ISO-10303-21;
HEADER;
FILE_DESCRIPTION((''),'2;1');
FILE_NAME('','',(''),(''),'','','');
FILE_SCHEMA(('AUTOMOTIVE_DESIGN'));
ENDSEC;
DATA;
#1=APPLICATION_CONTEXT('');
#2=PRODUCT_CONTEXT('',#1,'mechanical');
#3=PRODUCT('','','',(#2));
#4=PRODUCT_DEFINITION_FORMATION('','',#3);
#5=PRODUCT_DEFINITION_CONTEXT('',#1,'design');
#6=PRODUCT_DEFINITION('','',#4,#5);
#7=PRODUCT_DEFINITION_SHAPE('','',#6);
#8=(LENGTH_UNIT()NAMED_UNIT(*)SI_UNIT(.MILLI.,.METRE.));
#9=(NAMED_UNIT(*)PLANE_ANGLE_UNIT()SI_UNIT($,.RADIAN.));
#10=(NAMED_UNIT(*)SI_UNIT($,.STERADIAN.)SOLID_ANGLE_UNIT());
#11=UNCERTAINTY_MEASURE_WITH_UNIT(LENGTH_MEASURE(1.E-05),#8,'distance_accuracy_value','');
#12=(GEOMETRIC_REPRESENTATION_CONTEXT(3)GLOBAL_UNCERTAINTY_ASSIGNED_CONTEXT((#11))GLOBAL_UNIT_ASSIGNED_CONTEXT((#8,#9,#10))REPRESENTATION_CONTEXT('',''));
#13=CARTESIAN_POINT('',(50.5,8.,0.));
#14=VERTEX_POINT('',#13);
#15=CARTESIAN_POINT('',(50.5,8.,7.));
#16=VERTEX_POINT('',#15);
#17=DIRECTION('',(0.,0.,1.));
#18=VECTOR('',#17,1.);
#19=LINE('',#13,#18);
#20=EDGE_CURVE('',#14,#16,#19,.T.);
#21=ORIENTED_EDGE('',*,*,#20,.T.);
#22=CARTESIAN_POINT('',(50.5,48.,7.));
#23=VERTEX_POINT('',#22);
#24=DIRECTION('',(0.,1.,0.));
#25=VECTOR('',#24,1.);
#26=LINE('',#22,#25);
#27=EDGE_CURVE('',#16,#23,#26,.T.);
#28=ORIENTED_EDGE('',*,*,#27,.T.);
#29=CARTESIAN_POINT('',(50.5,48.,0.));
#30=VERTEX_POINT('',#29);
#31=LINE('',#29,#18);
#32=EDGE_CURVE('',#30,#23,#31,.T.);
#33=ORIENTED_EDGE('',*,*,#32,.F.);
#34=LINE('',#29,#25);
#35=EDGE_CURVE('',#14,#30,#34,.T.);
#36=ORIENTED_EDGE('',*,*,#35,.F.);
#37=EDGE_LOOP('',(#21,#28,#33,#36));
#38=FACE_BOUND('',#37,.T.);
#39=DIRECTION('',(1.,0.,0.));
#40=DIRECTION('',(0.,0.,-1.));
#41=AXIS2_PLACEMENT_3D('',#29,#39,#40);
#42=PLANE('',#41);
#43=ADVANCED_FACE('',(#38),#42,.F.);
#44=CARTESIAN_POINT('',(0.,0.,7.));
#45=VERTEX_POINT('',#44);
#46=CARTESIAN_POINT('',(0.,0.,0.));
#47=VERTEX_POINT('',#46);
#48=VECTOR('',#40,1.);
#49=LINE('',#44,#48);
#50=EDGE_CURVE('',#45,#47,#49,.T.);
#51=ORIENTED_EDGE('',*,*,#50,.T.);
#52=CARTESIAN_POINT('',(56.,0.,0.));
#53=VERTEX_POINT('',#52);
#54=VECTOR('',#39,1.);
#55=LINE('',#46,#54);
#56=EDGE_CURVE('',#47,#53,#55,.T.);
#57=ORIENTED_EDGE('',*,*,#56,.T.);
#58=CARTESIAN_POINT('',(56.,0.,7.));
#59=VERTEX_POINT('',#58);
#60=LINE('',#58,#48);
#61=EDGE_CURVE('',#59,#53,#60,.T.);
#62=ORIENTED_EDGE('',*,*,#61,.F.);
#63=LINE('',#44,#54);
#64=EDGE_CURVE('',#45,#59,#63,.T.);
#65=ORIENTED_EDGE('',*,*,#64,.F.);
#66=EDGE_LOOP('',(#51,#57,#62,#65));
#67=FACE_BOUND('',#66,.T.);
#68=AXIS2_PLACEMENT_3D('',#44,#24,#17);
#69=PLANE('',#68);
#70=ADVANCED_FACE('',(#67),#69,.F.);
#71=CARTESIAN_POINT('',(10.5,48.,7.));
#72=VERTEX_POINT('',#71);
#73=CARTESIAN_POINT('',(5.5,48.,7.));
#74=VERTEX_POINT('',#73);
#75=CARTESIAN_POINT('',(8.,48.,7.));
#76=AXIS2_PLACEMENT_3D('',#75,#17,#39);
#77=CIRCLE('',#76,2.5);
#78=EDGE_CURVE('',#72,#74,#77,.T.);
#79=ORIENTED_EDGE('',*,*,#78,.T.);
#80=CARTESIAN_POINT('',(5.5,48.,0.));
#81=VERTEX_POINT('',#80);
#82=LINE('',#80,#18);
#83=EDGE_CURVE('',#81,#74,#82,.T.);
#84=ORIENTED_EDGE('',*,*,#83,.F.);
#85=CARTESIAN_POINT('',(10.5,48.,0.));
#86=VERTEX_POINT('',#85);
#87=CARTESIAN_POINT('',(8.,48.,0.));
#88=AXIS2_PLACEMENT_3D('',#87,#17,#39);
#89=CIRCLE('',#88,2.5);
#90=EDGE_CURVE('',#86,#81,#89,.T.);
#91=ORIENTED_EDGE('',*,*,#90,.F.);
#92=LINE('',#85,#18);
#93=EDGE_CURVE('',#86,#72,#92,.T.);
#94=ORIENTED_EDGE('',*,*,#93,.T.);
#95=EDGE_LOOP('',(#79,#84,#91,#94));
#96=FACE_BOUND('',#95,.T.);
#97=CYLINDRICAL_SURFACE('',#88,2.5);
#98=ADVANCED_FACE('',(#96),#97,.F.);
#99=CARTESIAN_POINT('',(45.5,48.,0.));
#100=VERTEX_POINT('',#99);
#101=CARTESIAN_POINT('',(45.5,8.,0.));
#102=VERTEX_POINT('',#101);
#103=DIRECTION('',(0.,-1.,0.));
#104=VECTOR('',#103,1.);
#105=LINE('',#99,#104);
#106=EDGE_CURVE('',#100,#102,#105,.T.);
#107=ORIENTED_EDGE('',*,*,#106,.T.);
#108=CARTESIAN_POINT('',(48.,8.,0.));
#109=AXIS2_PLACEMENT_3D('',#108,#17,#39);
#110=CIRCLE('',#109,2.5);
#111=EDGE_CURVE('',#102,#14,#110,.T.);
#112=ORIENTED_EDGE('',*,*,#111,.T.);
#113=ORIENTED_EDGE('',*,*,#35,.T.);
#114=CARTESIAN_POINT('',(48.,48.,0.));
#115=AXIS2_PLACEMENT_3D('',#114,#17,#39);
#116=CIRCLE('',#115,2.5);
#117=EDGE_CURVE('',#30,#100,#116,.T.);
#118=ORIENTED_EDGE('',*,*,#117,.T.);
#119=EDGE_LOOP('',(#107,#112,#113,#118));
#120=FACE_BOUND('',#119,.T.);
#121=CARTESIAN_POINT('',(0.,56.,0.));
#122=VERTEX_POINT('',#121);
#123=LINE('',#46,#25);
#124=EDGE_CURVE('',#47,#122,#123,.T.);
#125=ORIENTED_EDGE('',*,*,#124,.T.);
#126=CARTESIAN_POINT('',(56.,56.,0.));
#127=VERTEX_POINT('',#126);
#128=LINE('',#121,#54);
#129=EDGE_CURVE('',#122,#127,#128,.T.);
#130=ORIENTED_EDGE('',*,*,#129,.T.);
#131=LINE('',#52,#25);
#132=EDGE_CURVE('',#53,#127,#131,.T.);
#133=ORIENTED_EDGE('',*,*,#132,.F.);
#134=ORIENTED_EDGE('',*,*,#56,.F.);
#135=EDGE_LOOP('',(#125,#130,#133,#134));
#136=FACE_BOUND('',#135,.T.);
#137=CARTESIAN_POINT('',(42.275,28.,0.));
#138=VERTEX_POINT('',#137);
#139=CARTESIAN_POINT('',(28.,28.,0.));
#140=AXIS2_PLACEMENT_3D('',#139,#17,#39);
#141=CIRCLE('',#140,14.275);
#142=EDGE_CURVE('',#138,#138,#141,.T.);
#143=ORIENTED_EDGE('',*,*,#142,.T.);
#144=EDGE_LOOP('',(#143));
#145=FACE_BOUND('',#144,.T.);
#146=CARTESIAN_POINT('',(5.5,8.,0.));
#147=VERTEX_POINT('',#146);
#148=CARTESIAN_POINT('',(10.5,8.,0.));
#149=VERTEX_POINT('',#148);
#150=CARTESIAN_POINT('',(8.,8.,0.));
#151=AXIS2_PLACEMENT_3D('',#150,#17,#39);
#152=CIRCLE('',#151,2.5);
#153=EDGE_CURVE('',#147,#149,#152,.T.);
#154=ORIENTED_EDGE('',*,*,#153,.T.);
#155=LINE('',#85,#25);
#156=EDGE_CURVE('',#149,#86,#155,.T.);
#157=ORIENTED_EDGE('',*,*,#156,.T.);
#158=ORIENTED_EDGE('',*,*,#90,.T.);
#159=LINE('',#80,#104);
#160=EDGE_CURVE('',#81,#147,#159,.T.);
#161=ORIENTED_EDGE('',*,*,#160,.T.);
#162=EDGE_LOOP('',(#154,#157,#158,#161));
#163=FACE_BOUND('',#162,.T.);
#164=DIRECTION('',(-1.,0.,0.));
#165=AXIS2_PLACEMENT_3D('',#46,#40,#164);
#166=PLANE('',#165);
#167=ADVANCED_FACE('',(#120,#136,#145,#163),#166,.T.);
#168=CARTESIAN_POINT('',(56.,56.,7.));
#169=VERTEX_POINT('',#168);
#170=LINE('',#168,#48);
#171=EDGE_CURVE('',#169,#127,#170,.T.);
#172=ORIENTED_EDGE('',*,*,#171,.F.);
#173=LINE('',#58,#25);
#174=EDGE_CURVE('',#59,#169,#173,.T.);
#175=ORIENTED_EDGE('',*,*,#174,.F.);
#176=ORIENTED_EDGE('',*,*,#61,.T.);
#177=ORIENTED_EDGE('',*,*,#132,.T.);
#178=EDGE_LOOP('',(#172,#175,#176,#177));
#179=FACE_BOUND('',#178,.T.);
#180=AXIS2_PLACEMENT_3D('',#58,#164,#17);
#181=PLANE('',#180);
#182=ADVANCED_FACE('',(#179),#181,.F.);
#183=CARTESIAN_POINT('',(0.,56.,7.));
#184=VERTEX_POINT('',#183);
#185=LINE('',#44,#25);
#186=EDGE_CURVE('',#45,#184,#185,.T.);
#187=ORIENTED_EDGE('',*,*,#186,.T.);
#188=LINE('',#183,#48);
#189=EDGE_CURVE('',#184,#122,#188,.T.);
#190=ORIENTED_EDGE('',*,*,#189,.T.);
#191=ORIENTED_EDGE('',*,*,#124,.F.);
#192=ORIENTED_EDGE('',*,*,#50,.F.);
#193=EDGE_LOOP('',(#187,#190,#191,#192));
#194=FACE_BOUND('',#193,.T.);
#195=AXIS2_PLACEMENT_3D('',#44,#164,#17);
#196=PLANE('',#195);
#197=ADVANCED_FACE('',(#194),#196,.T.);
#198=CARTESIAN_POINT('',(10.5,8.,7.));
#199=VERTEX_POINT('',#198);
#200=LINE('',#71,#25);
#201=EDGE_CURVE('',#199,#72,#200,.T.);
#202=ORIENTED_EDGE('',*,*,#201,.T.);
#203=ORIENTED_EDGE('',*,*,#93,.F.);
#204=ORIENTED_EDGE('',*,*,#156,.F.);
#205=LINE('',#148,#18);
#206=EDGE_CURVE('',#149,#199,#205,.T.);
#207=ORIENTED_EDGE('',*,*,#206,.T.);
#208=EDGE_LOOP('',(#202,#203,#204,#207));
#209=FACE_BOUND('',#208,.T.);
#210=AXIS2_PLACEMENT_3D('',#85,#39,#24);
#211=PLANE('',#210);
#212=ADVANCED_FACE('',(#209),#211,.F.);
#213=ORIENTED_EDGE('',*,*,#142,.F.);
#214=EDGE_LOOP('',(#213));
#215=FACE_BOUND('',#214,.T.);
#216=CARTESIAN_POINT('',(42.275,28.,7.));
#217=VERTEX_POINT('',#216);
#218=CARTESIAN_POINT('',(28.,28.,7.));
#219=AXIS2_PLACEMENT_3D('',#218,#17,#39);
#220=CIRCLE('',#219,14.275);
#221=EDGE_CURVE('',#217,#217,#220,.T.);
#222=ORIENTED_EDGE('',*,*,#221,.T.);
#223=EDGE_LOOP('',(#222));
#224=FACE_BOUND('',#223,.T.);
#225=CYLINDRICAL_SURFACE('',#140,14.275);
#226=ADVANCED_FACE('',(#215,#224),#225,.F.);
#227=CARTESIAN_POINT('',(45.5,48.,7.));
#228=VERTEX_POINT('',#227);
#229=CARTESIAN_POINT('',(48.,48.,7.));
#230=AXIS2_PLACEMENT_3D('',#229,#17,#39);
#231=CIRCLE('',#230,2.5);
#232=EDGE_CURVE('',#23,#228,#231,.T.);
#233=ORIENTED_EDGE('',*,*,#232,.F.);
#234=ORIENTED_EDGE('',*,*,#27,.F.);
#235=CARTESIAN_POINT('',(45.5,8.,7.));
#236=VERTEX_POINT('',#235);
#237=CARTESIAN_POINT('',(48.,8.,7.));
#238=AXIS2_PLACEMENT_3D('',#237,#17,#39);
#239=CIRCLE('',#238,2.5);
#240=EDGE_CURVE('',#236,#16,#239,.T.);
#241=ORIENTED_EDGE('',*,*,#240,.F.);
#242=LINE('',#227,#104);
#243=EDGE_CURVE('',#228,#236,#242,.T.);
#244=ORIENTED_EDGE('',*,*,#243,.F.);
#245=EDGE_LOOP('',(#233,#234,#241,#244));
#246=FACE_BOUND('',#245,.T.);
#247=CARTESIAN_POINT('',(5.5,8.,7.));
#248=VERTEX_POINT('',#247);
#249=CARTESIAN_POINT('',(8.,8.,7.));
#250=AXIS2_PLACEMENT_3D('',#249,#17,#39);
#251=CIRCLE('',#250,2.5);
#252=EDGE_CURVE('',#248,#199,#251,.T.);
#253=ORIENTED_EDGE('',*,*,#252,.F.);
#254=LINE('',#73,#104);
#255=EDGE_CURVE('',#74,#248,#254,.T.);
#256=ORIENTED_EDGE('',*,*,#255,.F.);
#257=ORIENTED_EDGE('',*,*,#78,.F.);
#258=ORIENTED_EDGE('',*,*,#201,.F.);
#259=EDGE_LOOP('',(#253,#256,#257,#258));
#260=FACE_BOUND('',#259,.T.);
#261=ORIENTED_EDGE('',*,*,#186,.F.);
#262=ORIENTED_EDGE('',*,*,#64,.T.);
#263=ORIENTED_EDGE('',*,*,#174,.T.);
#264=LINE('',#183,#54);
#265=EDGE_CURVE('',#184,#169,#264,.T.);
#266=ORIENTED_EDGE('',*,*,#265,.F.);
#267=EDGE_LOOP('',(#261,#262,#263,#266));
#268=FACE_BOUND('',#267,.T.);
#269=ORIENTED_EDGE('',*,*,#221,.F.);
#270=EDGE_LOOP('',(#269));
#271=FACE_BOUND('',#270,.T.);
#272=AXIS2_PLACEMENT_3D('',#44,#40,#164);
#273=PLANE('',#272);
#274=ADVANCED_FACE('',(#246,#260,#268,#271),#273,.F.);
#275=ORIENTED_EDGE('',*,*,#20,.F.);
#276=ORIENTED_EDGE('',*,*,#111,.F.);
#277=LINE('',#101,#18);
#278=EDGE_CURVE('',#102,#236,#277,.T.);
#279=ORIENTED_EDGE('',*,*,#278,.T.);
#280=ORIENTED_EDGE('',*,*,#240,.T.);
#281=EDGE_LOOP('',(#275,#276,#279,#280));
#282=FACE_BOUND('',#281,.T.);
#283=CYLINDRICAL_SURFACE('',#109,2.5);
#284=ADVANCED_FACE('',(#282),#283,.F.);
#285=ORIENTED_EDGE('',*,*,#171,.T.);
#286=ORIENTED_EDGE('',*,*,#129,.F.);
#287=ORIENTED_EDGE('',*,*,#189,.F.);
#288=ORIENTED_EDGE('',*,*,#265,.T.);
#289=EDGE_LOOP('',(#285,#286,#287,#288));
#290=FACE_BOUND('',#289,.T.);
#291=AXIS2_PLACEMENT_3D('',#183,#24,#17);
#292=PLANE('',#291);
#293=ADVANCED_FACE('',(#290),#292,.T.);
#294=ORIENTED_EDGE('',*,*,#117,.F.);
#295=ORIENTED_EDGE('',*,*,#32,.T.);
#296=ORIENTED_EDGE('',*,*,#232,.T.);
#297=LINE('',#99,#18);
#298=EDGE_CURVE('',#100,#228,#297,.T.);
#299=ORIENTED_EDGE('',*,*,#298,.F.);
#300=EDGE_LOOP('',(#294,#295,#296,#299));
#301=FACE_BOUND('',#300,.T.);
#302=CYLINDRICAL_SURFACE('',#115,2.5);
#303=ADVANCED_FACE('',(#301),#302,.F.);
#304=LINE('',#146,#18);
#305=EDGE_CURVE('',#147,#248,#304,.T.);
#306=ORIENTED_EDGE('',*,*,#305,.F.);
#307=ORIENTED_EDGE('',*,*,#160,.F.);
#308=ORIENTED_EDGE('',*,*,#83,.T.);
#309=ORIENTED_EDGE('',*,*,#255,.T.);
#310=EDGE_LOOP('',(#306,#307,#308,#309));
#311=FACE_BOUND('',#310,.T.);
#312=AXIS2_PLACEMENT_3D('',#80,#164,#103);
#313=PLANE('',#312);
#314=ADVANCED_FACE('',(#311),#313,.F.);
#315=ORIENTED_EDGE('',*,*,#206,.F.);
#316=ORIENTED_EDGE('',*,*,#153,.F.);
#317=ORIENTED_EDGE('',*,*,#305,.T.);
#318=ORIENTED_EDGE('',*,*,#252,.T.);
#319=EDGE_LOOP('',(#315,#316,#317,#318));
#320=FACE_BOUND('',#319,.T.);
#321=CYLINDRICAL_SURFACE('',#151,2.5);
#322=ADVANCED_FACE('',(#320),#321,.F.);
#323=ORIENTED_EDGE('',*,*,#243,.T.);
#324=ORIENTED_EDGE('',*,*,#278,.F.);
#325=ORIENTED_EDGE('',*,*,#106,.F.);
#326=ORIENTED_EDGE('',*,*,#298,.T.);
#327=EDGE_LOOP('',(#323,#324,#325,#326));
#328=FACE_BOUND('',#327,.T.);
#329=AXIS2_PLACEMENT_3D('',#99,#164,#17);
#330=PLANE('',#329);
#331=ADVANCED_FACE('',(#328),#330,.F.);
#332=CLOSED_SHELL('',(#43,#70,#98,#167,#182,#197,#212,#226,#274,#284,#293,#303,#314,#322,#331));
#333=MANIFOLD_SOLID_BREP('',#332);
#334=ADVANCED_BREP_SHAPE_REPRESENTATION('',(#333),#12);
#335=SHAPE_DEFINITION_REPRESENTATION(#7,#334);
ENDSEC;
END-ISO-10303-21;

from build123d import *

# Parameters (mm, degrees)
SKETCH1_W           = 56
SKETCH1_H           = 56
BOSS_EXTRUDE1_DEPTH = 7
SKETCH2_R           = 14.275
CUT_EXTRUDE1_DEPTH  = 8


with BuildPart() as part:
    # Sketch1 → Boss-Extrude1 (new body)
    with BuildSketch(Plane.XY):
        with Locations((28, 28)):
            Rectangle(SKETCH1_W, SKETCH1_H)
    extrude(amount=BOSS_EXTRUDE1_DEPTH)

    # Sketch2 → Cut-Extrude1 (cut, through all)
    with BuildSketch(Plane.XY.offset(7)):
        with Locations((28, 28)):
            Circle(SKETCH2_R)
        with BuildLine():
            Line((10.5, 48), (10.5, 8))
            ThreePointArc((10.5, 8), (8, 5.5), (5.5, 8))
            Line((5.5, 8), (5.5, 48))
            ThreePointArc((5.5, 48), (8, 50.5), (10.5, 48))
        make_face()
        with BuildLine():
            Line((50.5, 48), (50.5, 8))
            ThreePointArc((50.5, 8), (48, 5.5), (45.5, 8))
            Line((45.5, 8), (45.5, 48))
            ThreePointArc((45.5, 48), (48, 50.5), (50.5, 48))
        make_face()
    extrude(amount=-CUT_EXTRUDE1_DEPTH, mode=Mode.SUBTRACT)


solid = part.part
